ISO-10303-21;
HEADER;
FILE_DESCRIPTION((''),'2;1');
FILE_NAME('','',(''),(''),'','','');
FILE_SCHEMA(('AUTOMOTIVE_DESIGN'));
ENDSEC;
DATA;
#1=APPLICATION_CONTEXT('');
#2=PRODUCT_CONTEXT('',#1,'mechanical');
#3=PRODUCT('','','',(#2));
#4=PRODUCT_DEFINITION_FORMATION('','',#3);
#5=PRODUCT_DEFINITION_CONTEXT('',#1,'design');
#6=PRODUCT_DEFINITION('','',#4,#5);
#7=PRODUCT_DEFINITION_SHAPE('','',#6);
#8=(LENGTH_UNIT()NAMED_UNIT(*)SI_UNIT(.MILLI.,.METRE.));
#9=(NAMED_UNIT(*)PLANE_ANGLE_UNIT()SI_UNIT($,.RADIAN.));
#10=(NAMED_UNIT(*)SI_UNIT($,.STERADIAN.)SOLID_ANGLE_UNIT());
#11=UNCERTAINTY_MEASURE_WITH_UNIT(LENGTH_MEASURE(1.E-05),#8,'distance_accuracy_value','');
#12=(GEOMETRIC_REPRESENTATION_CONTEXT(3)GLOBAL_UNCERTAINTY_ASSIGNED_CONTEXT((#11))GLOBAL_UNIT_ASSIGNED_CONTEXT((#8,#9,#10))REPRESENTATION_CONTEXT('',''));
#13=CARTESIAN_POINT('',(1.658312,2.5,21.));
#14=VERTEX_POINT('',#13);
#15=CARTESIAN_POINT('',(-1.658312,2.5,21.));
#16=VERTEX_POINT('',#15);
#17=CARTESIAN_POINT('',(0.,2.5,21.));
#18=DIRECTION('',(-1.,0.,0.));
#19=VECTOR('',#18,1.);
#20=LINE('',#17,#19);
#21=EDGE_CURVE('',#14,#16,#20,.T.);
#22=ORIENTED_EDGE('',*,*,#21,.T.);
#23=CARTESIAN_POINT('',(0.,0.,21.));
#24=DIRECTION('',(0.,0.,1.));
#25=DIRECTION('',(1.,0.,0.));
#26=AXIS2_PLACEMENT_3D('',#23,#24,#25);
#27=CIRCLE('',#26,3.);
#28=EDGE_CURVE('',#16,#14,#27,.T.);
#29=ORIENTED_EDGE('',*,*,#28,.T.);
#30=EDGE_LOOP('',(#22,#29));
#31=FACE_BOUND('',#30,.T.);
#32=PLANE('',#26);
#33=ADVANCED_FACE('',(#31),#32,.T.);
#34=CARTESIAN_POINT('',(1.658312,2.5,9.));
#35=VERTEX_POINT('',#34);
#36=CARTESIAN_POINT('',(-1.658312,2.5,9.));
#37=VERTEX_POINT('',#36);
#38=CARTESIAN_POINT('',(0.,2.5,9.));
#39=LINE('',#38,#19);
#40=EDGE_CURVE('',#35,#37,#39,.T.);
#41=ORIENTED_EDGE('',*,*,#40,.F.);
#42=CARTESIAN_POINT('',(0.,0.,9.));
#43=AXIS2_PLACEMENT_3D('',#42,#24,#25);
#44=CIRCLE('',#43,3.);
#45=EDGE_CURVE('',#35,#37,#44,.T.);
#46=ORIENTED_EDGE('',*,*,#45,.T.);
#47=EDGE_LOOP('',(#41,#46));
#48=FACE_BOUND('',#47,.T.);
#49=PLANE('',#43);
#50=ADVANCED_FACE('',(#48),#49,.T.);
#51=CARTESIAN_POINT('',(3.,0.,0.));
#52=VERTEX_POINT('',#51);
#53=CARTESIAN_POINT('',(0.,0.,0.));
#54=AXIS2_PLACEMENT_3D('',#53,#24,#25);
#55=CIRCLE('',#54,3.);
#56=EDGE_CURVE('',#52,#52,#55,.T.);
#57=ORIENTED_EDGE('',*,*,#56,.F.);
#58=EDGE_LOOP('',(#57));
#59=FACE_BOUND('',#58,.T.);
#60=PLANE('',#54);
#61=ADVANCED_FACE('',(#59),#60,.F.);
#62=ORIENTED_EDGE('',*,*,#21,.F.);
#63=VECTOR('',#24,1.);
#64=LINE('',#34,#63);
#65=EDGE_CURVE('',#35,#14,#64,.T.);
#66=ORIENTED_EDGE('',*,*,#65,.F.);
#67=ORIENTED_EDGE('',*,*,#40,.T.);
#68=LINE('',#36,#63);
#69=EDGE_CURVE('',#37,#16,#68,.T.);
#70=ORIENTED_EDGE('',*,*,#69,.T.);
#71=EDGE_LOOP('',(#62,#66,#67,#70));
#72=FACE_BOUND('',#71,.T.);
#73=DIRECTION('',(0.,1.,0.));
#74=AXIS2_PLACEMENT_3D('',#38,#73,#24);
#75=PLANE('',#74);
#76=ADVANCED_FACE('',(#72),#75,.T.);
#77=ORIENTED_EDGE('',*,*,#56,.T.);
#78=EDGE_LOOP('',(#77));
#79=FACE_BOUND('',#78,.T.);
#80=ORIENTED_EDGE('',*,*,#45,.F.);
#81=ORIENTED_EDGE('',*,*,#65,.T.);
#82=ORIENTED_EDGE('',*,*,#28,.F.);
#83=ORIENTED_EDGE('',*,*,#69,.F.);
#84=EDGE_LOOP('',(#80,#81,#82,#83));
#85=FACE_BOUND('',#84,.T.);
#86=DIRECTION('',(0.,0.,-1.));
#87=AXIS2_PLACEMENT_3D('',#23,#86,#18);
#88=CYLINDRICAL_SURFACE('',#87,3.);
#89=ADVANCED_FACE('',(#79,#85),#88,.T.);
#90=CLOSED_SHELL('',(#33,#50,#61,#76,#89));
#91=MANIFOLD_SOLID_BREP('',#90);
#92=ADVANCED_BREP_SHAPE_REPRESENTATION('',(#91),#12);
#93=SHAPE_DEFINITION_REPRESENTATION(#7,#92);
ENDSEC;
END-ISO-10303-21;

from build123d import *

# Parameters (mm, degrees)
BOSS_EXTRUDE1_DEPTH = 21
CUT_EXTRUDE1_START  = 21
CUT_EXTRUDE1_DEPTH  = 12


with BuildPart() as part:
    # Sketch1 → Boss-Extrude1 (new body)
    with BuildSketch(Plane.XY):
        with BuildLine():
            ThreePointArc((1.658312395, 2.5), (0, 3), (-1.658312395, 2.5))
            Line((-1.658312395, 2.5), (1.658312395, 2.5))
        make_face()
        with BuildLine():
            Line((1.658312395, 2.5), (-1.658312395, 2.5))
            ThreePointArc((-1.658312395, 2.5), (-1.418637165, -2.643382037), (3, 0))
            ThreePointArc((3, 0), (2.643382037, 1.418637165), (1.658312395, 2.5))
        make_face()
    extrude(amount=BOSS_EXTRUDE1_DEPTH)

    # Sketch1<3> → Cut-Extrude1 (cut)
    with BuildSketch(Plane.XY.offset(CUT_EXTRUDE1_START)):
        Polygon((-26.073564647, 2.5), (-1.658312395, 2.5), (1.658312395, 2.5), (26.073564647, 2.5), (26.073564647, 51.330504504), (-26.073564647, 51.330504504), align=None)
    extrude(amount=-CUT_EXTRUDE1_DEPTH, mode=Mode.SUBTRACT)


solid = part.part
